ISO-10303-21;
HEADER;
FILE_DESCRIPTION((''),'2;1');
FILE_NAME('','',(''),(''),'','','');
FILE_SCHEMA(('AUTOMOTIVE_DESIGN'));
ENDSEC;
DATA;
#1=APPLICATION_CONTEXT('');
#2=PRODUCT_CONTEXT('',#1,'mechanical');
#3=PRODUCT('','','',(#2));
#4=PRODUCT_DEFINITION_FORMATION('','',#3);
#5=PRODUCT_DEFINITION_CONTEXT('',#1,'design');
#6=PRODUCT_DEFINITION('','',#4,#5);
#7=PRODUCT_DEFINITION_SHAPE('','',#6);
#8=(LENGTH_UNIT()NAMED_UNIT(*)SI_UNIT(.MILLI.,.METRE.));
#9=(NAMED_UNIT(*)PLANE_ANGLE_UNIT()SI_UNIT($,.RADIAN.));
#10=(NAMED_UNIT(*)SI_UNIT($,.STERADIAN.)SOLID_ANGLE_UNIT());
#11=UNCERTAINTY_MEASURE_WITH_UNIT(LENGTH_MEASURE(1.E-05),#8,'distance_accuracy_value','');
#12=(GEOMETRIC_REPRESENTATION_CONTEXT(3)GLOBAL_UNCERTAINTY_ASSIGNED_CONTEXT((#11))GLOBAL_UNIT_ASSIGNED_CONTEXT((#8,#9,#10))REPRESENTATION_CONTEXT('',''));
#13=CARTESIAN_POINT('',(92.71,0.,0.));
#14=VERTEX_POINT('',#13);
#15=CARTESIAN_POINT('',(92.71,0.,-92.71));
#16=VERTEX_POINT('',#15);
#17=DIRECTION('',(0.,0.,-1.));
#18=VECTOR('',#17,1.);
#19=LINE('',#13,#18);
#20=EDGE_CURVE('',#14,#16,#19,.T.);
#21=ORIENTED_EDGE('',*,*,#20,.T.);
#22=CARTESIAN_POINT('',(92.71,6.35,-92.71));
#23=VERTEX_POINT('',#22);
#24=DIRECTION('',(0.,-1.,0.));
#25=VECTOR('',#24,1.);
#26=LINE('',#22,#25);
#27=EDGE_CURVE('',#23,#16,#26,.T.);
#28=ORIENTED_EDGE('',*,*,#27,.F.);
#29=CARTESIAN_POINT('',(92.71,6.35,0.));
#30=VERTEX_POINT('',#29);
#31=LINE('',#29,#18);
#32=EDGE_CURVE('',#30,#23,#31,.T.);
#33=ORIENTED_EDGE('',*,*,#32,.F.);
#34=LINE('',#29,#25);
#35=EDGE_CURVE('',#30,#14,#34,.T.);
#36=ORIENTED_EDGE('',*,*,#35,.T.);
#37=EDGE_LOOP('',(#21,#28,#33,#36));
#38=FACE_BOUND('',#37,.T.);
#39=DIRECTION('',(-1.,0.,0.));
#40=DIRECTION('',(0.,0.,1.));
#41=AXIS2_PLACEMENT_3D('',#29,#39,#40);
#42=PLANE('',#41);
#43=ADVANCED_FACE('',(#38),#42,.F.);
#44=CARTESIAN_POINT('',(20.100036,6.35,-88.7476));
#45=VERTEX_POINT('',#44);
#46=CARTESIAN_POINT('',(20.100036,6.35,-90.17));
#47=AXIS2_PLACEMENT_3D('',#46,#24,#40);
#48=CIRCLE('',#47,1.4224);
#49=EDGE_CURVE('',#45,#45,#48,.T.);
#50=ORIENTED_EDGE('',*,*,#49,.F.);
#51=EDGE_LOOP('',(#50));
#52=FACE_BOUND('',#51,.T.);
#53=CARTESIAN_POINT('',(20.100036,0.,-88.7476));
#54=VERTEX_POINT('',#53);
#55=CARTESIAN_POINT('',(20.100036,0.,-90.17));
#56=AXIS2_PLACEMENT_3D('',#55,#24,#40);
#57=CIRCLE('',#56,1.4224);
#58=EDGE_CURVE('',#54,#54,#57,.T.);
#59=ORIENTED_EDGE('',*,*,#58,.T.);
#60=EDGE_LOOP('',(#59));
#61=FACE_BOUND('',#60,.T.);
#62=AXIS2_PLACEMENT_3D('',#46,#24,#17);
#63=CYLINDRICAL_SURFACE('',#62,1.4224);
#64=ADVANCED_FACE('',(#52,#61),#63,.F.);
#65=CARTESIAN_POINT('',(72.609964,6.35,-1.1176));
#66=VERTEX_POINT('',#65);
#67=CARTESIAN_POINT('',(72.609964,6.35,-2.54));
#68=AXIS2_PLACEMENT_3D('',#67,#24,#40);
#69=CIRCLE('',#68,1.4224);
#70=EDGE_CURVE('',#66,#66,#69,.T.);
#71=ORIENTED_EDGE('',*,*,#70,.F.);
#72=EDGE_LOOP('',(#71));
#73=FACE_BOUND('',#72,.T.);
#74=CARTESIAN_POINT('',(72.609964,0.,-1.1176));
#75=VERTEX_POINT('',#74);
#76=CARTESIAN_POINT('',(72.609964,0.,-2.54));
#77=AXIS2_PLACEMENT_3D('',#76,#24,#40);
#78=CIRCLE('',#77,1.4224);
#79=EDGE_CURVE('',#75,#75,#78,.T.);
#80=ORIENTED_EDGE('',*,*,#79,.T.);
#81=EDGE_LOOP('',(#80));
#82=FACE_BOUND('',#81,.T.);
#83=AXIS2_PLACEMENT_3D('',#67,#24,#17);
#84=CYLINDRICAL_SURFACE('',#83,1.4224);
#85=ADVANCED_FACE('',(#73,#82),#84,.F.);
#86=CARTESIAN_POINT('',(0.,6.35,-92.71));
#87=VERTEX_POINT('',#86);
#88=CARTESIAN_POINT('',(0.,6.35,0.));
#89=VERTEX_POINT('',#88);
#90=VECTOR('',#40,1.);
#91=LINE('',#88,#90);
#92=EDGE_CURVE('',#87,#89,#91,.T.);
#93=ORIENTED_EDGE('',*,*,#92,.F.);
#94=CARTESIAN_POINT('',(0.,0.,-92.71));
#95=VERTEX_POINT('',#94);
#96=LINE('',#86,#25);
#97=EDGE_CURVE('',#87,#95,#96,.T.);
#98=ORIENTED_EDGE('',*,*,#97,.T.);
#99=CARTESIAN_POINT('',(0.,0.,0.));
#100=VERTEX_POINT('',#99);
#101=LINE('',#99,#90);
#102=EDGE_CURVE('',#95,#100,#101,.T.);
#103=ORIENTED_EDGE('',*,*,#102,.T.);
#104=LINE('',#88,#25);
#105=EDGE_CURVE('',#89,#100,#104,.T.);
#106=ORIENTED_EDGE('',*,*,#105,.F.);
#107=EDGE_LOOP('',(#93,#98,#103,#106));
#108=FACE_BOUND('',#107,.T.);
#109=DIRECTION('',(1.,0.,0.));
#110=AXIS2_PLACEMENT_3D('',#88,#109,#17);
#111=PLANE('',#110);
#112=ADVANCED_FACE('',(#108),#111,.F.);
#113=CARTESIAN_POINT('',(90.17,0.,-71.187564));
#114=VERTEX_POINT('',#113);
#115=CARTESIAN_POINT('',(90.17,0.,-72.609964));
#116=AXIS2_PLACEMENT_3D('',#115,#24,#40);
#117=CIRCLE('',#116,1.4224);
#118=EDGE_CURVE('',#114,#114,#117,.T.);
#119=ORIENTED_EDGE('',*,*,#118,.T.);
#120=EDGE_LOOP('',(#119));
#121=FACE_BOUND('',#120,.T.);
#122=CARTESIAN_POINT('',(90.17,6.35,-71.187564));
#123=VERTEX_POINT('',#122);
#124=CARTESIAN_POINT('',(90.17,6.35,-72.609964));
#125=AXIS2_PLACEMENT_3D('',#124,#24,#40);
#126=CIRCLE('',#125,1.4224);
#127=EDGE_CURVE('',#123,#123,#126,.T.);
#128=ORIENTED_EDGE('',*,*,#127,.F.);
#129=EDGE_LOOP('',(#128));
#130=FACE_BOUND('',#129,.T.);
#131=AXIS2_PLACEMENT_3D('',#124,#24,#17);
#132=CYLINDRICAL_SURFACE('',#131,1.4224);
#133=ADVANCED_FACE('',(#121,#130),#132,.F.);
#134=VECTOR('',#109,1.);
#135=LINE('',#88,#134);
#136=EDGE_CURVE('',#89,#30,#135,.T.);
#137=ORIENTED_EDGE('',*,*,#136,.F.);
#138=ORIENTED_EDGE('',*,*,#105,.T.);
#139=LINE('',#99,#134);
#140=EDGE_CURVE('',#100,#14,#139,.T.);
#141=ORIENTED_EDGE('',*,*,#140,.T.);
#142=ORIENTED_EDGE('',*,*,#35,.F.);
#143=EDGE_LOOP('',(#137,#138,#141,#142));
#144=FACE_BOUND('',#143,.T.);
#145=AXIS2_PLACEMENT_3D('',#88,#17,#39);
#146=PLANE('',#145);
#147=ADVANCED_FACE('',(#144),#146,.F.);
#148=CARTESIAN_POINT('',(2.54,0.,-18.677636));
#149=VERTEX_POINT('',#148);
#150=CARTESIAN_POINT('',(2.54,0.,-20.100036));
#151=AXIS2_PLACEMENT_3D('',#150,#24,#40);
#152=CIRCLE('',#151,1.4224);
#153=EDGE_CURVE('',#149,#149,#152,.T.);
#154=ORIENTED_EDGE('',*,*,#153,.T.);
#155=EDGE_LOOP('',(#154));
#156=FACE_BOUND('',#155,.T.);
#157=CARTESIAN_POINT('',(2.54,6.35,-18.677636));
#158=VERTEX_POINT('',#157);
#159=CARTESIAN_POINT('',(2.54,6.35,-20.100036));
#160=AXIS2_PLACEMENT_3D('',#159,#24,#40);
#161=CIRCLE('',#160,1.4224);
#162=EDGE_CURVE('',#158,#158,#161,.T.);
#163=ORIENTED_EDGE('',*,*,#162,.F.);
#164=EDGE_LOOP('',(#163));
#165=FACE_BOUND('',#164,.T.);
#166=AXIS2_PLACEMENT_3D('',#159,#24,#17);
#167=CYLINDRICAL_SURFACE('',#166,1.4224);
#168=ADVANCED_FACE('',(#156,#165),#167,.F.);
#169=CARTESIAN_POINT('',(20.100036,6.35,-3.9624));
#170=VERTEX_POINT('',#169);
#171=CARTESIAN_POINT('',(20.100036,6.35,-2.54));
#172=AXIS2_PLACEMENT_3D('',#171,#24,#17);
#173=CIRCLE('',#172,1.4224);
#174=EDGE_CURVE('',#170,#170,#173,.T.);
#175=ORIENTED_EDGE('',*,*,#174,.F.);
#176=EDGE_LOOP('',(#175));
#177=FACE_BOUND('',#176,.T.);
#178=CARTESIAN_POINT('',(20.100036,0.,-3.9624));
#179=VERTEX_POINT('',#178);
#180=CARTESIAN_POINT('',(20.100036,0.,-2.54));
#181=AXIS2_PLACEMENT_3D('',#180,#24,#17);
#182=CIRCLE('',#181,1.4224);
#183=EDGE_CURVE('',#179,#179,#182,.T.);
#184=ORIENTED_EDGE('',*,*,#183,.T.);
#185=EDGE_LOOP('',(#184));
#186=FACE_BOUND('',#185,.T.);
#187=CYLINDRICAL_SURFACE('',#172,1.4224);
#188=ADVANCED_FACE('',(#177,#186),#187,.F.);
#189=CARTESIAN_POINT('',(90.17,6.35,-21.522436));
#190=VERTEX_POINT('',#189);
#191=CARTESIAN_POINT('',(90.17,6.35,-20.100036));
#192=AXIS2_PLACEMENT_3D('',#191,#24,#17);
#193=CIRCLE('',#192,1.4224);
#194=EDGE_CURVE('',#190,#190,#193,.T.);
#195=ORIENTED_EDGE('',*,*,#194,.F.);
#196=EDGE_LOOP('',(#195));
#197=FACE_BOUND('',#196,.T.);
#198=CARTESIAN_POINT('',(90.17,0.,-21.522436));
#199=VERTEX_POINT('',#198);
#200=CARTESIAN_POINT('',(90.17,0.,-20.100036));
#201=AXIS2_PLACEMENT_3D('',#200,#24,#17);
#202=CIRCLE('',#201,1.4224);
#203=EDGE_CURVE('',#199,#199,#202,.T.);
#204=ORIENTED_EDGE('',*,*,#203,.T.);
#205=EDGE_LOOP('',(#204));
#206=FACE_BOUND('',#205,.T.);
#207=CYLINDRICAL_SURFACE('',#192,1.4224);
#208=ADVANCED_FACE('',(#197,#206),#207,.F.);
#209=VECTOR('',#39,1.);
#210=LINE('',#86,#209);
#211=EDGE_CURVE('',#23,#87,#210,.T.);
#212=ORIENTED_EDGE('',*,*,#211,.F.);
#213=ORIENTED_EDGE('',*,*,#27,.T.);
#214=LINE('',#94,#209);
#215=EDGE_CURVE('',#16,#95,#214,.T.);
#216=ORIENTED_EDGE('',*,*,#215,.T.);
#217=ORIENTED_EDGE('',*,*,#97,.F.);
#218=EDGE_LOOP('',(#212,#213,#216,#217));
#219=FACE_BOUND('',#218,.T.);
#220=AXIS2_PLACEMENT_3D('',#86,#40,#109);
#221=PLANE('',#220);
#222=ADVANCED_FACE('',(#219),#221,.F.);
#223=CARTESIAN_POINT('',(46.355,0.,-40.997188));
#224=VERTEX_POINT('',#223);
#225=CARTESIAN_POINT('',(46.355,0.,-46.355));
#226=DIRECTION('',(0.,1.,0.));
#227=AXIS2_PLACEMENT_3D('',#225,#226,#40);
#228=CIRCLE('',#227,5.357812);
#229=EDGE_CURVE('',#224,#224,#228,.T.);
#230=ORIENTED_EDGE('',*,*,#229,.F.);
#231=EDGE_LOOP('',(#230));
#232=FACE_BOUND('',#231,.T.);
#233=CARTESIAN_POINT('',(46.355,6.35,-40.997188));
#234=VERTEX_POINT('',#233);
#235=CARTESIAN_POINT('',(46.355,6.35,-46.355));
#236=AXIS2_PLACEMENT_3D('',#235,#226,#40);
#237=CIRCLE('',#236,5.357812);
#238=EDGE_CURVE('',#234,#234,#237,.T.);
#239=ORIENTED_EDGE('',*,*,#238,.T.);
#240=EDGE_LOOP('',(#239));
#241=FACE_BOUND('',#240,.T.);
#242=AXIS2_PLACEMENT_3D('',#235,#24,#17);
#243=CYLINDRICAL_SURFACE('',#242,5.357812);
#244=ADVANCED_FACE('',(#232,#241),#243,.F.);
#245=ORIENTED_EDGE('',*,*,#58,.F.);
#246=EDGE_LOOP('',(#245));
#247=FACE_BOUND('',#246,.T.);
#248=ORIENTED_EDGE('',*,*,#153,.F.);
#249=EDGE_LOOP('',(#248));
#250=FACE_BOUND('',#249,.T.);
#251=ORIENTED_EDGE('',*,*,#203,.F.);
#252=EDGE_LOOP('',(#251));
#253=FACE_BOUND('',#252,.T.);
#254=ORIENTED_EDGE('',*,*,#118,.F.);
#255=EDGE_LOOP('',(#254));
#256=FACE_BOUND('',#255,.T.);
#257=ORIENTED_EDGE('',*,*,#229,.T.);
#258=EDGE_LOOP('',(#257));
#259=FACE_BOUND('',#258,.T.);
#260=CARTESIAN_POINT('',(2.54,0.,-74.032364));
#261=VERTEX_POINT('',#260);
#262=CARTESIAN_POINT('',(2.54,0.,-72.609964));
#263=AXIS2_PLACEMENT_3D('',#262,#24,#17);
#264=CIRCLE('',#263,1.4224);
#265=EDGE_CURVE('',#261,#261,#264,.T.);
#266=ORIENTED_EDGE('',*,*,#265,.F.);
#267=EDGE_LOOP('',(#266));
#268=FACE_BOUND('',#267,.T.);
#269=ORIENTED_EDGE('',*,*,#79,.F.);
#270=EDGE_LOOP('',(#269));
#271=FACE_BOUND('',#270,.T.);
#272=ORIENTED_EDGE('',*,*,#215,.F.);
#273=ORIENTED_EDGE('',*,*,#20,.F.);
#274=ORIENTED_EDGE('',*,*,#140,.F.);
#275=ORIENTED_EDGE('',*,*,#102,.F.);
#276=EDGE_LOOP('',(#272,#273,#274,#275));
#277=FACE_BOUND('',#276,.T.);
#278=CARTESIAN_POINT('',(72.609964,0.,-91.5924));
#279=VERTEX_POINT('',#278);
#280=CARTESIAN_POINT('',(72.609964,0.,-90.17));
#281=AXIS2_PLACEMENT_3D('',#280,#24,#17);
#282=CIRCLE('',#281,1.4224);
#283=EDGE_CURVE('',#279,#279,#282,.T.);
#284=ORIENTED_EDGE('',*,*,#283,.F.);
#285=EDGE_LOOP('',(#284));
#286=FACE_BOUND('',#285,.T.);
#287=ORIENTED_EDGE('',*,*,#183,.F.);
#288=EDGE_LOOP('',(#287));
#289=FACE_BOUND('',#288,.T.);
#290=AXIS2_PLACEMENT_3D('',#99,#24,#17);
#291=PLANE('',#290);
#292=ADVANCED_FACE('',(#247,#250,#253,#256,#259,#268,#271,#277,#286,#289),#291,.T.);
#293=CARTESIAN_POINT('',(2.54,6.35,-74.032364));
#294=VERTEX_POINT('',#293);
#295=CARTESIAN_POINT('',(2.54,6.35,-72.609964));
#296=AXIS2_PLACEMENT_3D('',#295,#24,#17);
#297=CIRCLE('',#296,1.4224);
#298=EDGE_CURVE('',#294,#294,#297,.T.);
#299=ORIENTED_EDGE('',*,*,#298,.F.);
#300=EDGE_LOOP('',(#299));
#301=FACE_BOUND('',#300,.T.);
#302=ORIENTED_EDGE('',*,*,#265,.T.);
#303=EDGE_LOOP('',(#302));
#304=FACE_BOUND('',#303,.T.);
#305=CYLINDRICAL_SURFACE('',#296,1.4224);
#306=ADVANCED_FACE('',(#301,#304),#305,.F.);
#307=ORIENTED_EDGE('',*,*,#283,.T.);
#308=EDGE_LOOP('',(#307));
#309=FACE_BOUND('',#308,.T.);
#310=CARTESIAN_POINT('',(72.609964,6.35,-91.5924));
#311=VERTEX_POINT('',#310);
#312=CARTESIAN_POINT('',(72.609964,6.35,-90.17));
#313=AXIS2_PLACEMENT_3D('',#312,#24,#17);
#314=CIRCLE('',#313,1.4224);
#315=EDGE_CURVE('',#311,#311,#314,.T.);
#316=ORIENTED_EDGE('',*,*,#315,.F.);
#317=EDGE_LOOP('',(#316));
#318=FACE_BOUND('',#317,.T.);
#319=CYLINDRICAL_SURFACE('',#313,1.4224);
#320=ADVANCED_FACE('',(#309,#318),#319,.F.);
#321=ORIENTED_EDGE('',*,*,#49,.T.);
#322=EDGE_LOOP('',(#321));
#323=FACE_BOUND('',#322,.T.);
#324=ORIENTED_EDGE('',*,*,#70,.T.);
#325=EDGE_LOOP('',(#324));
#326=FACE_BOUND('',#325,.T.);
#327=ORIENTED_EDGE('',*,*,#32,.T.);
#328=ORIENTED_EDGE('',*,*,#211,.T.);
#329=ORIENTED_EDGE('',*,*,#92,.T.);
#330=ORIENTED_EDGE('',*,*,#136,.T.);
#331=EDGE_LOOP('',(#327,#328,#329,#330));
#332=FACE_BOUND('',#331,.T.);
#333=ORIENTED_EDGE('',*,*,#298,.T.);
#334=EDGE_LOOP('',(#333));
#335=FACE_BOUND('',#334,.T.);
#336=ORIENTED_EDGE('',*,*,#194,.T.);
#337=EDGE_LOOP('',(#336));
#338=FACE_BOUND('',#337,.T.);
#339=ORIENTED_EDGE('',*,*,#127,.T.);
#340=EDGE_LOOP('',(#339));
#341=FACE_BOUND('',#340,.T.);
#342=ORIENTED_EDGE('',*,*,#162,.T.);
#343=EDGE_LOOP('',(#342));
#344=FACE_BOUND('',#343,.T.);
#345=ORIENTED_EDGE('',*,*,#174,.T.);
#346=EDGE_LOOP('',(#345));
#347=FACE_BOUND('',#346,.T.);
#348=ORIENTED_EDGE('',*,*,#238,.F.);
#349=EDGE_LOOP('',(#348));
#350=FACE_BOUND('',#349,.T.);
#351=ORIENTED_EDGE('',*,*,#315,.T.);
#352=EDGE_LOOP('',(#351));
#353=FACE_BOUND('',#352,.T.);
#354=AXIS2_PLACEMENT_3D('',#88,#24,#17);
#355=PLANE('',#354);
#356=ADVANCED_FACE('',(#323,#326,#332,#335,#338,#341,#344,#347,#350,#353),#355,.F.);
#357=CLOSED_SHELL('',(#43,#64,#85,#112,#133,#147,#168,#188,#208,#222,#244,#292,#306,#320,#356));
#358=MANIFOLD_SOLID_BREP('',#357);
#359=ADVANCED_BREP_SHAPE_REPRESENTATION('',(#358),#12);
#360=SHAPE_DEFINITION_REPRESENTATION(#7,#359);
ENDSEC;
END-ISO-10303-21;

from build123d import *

# Parameters (mm, degrees)
SKETCH1_W           = 92.71
SKETCH1_H           = 92.71
SKETCH1_R           = 5.3578125
BOSS_EXTRUDE1_DEPTH = 6.35
SKETCH2_R           = 1.4224
CUT_EXTRUDE1_DEPTH  = 6.35


with BuildPart() as part:
    # Sketch1 → Boss-Extrude1 (new body)
    with BuildSketch(Plane(origin=(0, 0, 0), x_dir=(1, 0, 0), z_dir=(0, 1, 0))):
        with Locations((46.355, 46.355)):
            Rectangle(SKETCH1_W, SKETCH1_H)
        with Locations((46.355, 46.355)):
            Circle(SKETCH1_R, mode=Mode.SUBTRACT)
    extrude(amount=BOSS_EXTRUDE1_DEPTH)

    # Sketch2 → Cut-Extrude1 (cut)
    with BuildSketch(Plane.XZ):
        with Locations((20.100036, -2.54)):
            Circle(SKETCH2_R)
        with Locations((2.54, -20.100036)):
            Circle(SKETCH2_R)
        with Locations((2.54, -72.609964)):
            Circle(SKETCH2_R)
        with Locations((20.100036, -90.17)):
            Circle(SKETCH2_R)
        with Locations((72.609964, -90.17)):
            Circle(SKETCH2_R)
        with Locations((90.17, -72.609964)):
            Circle(SKETCH2_R)
        with Locations((90.17, -20.100036)):
            Circle(SKETCH2_R)
        with Locations((72.609964, -2.54)):
            Circle(SKETCH2_R)
    extrude(amount=-CUT_EXTRUDE1_DEPTH, mode=Mode.SUBTRACT)


solid = part.part
